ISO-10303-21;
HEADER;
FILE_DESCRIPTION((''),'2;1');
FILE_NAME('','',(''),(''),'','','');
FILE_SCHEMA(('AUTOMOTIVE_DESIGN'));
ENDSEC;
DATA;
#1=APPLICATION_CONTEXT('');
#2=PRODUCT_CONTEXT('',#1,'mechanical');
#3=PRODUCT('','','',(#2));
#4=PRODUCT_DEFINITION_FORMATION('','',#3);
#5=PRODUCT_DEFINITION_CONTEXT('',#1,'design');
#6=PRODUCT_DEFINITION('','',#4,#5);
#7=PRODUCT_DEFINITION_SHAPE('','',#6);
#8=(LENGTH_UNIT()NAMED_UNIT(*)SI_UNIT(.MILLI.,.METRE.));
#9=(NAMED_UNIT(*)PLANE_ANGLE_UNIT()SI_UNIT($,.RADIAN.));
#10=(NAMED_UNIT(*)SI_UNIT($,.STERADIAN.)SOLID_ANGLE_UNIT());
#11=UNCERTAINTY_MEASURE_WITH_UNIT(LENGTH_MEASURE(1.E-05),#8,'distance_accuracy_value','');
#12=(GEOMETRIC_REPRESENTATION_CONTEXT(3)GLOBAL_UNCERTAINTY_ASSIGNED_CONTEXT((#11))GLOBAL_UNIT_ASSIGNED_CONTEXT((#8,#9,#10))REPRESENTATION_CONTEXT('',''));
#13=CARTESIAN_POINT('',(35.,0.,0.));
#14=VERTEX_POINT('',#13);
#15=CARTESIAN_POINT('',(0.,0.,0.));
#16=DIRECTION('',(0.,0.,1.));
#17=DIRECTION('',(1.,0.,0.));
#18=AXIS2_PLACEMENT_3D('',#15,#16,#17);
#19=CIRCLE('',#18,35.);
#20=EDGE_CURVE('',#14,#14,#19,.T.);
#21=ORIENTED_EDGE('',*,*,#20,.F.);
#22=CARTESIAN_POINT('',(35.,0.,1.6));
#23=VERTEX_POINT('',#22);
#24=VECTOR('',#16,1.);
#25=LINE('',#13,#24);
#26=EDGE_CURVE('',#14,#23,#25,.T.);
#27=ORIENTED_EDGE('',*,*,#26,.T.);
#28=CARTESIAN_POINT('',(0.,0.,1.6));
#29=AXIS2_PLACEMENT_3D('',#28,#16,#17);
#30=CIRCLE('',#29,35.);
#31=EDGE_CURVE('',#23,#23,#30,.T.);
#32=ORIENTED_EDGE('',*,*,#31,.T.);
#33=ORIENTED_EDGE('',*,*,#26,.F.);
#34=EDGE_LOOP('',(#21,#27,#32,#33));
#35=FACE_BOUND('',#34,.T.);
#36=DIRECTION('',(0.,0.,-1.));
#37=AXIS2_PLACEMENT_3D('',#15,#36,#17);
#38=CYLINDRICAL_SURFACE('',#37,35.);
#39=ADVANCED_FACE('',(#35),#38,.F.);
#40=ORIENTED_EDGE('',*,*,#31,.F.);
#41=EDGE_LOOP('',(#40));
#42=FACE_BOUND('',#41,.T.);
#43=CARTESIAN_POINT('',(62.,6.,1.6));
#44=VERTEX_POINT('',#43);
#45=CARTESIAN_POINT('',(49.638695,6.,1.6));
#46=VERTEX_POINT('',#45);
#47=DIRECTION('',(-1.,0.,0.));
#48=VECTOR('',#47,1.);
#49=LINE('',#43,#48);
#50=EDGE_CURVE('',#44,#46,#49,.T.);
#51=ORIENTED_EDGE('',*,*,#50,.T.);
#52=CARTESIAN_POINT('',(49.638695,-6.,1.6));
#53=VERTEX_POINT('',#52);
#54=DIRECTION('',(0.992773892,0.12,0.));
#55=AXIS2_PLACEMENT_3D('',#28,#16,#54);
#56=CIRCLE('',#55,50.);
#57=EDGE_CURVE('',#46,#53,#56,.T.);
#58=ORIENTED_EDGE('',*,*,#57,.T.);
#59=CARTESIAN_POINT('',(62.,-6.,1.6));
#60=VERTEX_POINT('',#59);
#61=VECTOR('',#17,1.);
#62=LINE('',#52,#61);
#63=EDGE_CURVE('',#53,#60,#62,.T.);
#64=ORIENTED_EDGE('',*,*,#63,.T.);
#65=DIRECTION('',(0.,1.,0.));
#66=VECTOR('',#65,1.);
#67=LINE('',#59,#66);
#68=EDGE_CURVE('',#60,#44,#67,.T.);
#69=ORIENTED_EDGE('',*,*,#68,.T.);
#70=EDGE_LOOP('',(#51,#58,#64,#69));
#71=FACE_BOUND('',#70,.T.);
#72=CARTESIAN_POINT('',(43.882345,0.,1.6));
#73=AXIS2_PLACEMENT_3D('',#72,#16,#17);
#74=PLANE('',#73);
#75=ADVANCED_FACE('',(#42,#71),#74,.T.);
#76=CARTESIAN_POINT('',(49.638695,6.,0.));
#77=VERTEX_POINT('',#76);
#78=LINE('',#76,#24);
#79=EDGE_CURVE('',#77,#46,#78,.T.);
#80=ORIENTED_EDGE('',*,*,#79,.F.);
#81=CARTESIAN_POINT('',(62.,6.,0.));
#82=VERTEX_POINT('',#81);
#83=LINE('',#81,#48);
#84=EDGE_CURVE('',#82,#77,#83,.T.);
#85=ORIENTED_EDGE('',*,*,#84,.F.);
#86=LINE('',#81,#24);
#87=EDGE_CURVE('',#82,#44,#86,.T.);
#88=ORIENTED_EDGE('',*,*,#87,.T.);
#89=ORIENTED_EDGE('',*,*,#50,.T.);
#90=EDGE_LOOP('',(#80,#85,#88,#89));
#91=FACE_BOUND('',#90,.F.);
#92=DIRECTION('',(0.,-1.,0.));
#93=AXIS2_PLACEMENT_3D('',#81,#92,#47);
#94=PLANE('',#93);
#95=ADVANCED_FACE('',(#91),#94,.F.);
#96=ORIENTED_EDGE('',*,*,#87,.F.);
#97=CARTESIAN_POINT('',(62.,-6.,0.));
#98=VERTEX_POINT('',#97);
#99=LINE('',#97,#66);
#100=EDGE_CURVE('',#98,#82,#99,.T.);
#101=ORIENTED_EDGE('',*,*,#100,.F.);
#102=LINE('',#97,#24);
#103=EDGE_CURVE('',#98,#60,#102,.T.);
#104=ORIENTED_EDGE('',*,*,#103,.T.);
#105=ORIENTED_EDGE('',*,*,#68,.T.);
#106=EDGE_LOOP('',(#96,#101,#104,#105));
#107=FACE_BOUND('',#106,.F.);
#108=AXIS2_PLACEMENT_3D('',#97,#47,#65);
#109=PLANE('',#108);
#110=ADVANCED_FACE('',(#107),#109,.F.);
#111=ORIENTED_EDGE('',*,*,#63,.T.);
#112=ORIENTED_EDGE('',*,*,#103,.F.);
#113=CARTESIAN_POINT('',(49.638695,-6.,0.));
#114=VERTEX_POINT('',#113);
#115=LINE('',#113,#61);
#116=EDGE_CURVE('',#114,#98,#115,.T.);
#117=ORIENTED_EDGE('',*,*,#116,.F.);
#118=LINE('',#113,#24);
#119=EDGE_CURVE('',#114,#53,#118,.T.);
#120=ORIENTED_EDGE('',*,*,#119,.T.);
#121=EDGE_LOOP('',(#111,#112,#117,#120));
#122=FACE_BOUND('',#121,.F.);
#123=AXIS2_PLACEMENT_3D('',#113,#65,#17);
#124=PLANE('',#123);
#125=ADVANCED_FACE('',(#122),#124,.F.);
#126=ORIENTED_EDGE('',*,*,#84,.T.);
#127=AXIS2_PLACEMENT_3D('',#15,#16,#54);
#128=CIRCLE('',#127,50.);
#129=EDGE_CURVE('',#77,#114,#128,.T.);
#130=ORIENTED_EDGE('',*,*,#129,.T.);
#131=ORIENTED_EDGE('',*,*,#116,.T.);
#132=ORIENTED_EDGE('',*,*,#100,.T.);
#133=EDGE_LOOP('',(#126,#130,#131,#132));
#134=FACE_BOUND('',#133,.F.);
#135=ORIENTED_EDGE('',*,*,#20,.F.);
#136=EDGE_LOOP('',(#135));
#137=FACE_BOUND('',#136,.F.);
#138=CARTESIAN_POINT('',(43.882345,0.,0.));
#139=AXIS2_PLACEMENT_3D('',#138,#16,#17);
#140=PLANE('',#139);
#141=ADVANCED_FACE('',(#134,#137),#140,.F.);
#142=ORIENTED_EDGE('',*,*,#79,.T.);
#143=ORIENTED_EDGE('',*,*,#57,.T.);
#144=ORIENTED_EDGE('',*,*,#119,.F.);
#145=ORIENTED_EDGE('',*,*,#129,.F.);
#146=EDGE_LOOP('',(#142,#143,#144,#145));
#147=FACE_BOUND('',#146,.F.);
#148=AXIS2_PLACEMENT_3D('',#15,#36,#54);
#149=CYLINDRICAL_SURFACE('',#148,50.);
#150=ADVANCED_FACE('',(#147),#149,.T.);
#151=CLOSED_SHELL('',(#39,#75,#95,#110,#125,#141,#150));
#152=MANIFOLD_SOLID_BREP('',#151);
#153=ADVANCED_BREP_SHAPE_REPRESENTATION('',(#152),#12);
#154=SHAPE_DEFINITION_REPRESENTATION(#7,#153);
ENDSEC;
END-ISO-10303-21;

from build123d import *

# Parameters (mm, degrees)
F0_R     = 35
F1_DEPTH = 1.6


with BuildPart() as f1:
    # F0 (on Top) → F1 (new body)
    with BuildSketch(Plane.XY):
        with BuildLine():
            ThreePointArc((49.638695, -6), (49.909592, -3.005434), (50, 0))
            ThreePointArc((50, 0), (49.909592, 3.005434), (49.638695, 6))
            Line((49.638695, 6), (38, 6))
            Line((38, 6), (38, -6))
            Line((38, -6), (49.638695, -6))
        make_face()
        with BuildLine():
            Line((38, 6), (49.638695, 6))
            ThreePointArc((49.638695, 6), (-50, 0), (49.638695, -6))
            Line((49.638695, -6), (38, -6))
            Line((38, -6), (38, 6))
        make_face()
        Circle(F0_R, mode=Mode.SUBTRACT)
        with BuildLine():
            ThreePointArc((49.638695, 6), (49.909592, 3.005434), (50, 0))
            ThreePointArc((50, 0), (49.909592, -3.005434), (49.638695, -6))
            Line((49.638695, -6), (62, -6))
            Line((62, -6), (62, 6))
            Line((62, 6), (49.638695, 6))
        make_face()
    extrude(amount=F1_DEPTH)


solid = f1.part
